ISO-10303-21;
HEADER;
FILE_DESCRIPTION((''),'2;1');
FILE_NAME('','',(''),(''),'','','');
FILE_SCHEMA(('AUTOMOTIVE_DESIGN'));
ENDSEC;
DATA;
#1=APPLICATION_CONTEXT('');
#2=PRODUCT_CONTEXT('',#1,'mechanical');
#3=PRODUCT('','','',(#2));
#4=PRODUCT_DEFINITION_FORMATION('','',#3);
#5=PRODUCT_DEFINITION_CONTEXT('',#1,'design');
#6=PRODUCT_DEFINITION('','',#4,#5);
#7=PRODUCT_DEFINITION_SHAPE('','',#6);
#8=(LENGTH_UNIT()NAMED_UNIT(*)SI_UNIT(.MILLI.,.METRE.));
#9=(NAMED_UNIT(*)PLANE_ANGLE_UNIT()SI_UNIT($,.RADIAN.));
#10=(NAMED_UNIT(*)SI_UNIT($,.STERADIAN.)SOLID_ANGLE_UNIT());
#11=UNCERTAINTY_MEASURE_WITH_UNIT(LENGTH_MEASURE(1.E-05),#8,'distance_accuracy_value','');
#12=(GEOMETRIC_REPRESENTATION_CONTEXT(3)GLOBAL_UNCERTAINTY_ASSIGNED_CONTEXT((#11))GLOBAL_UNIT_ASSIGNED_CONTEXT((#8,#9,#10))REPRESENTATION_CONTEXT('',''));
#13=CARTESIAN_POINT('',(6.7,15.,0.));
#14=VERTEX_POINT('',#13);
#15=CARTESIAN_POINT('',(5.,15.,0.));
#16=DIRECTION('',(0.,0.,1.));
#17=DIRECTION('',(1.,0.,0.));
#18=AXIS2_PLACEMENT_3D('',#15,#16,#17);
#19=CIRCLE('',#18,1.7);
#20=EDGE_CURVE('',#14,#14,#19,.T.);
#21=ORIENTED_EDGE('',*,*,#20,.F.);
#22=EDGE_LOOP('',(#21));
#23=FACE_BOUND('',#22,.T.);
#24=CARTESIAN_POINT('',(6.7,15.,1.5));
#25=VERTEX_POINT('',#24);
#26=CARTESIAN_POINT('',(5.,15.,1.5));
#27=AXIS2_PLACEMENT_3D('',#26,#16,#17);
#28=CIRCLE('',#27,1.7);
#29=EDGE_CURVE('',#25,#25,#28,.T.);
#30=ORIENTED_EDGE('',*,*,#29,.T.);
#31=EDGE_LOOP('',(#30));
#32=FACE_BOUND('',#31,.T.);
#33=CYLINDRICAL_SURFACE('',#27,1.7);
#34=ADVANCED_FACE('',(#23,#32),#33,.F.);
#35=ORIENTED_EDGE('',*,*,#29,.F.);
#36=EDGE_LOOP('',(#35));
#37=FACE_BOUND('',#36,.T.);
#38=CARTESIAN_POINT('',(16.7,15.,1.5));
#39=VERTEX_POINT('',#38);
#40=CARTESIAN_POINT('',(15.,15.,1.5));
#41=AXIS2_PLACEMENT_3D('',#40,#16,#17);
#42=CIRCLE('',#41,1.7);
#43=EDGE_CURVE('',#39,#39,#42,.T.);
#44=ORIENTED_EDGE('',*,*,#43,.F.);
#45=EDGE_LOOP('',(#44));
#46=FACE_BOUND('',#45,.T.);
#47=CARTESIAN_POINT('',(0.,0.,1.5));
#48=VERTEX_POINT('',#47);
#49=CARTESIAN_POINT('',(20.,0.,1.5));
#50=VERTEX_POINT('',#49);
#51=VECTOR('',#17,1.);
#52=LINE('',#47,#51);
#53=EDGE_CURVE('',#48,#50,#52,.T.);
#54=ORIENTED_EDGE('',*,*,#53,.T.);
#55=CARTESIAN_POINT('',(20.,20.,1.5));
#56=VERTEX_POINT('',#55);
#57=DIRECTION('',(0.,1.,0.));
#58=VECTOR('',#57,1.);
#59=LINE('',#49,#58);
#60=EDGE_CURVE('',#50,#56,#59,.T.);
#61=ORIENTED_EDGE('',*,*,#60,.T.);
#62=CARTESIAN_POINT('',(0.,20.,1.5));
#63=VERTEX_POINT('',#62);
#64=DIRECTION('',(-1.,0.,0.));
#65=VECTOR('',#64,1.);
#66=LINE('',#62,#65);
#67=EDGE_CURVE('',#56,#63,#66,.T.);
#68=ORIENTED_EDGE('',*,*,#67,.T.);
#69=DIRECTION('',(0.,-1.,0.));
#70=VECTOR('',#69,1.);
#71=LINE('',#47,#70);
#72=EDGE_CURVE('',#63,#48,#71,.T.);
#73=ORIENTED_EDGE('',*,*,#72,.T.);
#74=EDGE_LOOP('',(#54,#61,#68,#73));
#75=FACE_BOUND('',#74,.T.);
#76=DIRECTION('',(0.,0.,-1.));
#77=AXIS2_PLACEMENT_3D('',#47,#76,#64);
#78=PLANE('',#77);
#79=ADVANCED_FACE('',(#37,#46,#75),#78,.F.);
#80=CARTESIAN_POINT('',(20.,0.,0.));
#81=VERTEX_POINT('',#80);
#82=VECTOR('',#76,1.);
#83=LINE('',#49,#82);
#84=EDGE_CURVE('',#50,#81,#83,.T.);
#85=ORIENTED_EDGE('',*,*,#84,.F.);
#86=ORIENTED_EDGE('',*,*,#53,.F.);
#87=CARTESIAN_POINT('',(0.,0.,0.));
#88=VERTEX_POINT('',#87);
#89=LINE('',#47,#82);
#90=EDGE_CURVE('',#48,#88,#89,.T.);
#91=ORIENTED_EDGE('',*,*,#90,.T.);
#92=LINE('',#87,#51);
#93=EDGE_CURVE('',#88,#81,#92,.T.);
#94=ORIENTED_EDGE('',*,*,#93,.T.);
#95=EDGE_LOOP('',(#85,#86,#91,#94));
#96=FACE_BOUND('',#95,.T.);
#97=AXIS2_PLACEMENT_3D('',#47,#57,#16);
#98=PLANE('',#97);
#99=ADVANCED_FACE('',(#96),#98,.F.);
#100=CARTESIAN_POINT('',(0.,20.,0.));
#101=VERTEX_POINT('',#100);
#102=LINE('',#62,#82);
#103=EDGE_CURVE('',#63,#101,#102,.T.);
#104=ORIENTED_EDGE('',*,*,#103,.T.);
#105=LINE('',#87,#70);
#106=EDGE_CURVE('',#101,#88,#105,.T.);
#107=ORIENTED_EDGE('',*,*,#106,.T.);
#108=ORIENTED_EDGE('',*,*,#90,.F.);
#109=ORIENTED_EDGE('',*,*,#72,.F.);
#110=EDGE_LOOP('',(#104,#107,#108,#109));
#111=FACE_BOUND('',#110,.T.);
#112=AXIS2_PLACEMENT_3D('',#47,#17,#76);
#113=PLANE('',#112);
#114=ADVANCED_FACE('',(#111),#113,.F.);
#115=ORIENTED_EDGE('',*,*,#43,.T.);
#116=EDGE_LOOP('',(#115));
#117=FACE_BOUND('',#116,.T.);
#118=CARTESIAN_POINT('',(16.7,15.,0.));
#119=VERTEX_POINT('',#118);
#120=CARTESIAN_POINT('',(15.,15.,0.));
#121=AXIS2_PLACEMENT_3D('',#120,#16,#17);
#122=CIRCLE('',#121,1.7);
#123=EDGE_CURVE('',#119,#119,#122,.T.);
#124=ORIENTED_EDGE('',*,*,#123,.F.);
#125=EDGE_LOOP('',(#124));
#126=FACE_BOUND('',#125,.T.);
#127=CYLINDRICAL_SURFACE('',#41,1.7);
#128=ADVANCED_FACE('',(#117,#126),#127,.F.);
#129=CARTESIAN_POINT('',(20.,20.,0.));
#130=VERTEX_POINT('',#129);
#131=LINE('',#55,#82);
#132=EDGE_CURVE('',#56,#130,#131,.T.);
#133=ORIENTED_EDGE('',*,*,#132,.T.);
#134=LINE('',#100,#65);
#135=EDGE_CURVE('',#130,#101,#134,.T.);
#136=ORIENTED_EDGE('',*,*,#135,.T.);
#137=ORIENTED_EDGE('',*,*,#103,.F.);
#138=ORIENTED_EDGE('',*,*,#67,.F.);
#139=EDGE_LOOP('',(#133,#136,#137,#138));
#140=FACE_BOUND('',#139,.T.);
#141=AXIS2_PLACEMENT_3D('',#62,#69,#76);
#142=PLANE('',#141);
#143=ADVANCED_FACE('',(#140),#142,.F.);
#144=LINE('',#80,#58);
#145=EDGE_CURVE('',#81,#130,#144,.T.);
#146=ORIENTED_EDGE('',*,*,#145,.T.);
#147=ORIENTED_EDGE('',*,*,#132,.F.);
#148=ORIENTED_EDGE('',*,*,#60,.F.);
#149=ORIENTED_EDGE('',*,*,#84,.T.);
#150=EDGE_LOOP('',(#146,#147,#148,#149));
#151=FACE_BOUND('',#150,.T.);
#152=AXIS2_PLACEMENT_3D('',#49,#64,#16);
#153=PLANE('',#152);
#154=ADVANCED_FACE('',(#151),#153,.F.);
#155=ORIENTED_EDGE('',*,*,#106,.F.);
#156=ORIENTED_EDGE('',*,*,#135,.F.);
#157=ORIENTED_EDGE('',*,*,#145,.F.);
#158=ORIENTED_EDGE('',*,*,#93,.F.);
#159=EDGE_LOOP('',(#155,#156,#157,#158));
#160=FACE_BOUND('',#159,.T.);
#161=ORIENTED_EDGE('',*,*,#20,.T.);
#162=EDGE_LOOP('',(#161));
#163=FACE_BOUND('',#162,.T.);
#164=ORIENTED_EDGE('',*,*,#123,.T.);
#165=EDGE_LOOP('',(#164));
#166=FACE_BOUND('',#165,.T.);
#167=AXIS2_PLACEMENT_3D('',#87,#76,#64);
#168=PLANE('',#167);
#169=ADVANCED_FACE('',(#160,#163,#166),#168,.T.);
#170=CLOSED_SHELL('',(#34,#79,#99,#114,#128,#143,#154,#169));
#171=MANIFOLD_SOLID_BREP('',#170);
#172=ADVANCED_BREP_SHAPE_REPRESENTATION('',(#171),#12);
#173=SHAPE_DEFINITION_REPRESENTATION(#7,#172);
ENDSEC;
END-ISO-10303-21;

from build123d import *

# Parameters (mm, degrees)
ESQUISSE1_W        = 20
ESQUISSE1_H        = 20
BOSS_EXTRU_2_DEPTH = 1.5
D_GAGEMENT_M31_D   = 3.4


with BuildPart() as part:
    # Esquisse1 → Boss.-Extru.2 (new body)
    with BuildSketch(Plane.XY):
        with Locations((10, 10)):
            Rectangle(ESQUISSE1_W, ESQUISSE1_H)
    extrude(amount=BOSS_EXTRU_2_DEPTH)

    # Dégagement M31 (through all)
    with Locations(Plane(origin=(5, 15, 1.5), x_dir=(1, 0, 0), z_dir=(0, 0, 1))):
        with Locations((0, 0), (10, 0)):
            Hole(D_GAGEMENT_M31_D / 2)


solid = part.part
